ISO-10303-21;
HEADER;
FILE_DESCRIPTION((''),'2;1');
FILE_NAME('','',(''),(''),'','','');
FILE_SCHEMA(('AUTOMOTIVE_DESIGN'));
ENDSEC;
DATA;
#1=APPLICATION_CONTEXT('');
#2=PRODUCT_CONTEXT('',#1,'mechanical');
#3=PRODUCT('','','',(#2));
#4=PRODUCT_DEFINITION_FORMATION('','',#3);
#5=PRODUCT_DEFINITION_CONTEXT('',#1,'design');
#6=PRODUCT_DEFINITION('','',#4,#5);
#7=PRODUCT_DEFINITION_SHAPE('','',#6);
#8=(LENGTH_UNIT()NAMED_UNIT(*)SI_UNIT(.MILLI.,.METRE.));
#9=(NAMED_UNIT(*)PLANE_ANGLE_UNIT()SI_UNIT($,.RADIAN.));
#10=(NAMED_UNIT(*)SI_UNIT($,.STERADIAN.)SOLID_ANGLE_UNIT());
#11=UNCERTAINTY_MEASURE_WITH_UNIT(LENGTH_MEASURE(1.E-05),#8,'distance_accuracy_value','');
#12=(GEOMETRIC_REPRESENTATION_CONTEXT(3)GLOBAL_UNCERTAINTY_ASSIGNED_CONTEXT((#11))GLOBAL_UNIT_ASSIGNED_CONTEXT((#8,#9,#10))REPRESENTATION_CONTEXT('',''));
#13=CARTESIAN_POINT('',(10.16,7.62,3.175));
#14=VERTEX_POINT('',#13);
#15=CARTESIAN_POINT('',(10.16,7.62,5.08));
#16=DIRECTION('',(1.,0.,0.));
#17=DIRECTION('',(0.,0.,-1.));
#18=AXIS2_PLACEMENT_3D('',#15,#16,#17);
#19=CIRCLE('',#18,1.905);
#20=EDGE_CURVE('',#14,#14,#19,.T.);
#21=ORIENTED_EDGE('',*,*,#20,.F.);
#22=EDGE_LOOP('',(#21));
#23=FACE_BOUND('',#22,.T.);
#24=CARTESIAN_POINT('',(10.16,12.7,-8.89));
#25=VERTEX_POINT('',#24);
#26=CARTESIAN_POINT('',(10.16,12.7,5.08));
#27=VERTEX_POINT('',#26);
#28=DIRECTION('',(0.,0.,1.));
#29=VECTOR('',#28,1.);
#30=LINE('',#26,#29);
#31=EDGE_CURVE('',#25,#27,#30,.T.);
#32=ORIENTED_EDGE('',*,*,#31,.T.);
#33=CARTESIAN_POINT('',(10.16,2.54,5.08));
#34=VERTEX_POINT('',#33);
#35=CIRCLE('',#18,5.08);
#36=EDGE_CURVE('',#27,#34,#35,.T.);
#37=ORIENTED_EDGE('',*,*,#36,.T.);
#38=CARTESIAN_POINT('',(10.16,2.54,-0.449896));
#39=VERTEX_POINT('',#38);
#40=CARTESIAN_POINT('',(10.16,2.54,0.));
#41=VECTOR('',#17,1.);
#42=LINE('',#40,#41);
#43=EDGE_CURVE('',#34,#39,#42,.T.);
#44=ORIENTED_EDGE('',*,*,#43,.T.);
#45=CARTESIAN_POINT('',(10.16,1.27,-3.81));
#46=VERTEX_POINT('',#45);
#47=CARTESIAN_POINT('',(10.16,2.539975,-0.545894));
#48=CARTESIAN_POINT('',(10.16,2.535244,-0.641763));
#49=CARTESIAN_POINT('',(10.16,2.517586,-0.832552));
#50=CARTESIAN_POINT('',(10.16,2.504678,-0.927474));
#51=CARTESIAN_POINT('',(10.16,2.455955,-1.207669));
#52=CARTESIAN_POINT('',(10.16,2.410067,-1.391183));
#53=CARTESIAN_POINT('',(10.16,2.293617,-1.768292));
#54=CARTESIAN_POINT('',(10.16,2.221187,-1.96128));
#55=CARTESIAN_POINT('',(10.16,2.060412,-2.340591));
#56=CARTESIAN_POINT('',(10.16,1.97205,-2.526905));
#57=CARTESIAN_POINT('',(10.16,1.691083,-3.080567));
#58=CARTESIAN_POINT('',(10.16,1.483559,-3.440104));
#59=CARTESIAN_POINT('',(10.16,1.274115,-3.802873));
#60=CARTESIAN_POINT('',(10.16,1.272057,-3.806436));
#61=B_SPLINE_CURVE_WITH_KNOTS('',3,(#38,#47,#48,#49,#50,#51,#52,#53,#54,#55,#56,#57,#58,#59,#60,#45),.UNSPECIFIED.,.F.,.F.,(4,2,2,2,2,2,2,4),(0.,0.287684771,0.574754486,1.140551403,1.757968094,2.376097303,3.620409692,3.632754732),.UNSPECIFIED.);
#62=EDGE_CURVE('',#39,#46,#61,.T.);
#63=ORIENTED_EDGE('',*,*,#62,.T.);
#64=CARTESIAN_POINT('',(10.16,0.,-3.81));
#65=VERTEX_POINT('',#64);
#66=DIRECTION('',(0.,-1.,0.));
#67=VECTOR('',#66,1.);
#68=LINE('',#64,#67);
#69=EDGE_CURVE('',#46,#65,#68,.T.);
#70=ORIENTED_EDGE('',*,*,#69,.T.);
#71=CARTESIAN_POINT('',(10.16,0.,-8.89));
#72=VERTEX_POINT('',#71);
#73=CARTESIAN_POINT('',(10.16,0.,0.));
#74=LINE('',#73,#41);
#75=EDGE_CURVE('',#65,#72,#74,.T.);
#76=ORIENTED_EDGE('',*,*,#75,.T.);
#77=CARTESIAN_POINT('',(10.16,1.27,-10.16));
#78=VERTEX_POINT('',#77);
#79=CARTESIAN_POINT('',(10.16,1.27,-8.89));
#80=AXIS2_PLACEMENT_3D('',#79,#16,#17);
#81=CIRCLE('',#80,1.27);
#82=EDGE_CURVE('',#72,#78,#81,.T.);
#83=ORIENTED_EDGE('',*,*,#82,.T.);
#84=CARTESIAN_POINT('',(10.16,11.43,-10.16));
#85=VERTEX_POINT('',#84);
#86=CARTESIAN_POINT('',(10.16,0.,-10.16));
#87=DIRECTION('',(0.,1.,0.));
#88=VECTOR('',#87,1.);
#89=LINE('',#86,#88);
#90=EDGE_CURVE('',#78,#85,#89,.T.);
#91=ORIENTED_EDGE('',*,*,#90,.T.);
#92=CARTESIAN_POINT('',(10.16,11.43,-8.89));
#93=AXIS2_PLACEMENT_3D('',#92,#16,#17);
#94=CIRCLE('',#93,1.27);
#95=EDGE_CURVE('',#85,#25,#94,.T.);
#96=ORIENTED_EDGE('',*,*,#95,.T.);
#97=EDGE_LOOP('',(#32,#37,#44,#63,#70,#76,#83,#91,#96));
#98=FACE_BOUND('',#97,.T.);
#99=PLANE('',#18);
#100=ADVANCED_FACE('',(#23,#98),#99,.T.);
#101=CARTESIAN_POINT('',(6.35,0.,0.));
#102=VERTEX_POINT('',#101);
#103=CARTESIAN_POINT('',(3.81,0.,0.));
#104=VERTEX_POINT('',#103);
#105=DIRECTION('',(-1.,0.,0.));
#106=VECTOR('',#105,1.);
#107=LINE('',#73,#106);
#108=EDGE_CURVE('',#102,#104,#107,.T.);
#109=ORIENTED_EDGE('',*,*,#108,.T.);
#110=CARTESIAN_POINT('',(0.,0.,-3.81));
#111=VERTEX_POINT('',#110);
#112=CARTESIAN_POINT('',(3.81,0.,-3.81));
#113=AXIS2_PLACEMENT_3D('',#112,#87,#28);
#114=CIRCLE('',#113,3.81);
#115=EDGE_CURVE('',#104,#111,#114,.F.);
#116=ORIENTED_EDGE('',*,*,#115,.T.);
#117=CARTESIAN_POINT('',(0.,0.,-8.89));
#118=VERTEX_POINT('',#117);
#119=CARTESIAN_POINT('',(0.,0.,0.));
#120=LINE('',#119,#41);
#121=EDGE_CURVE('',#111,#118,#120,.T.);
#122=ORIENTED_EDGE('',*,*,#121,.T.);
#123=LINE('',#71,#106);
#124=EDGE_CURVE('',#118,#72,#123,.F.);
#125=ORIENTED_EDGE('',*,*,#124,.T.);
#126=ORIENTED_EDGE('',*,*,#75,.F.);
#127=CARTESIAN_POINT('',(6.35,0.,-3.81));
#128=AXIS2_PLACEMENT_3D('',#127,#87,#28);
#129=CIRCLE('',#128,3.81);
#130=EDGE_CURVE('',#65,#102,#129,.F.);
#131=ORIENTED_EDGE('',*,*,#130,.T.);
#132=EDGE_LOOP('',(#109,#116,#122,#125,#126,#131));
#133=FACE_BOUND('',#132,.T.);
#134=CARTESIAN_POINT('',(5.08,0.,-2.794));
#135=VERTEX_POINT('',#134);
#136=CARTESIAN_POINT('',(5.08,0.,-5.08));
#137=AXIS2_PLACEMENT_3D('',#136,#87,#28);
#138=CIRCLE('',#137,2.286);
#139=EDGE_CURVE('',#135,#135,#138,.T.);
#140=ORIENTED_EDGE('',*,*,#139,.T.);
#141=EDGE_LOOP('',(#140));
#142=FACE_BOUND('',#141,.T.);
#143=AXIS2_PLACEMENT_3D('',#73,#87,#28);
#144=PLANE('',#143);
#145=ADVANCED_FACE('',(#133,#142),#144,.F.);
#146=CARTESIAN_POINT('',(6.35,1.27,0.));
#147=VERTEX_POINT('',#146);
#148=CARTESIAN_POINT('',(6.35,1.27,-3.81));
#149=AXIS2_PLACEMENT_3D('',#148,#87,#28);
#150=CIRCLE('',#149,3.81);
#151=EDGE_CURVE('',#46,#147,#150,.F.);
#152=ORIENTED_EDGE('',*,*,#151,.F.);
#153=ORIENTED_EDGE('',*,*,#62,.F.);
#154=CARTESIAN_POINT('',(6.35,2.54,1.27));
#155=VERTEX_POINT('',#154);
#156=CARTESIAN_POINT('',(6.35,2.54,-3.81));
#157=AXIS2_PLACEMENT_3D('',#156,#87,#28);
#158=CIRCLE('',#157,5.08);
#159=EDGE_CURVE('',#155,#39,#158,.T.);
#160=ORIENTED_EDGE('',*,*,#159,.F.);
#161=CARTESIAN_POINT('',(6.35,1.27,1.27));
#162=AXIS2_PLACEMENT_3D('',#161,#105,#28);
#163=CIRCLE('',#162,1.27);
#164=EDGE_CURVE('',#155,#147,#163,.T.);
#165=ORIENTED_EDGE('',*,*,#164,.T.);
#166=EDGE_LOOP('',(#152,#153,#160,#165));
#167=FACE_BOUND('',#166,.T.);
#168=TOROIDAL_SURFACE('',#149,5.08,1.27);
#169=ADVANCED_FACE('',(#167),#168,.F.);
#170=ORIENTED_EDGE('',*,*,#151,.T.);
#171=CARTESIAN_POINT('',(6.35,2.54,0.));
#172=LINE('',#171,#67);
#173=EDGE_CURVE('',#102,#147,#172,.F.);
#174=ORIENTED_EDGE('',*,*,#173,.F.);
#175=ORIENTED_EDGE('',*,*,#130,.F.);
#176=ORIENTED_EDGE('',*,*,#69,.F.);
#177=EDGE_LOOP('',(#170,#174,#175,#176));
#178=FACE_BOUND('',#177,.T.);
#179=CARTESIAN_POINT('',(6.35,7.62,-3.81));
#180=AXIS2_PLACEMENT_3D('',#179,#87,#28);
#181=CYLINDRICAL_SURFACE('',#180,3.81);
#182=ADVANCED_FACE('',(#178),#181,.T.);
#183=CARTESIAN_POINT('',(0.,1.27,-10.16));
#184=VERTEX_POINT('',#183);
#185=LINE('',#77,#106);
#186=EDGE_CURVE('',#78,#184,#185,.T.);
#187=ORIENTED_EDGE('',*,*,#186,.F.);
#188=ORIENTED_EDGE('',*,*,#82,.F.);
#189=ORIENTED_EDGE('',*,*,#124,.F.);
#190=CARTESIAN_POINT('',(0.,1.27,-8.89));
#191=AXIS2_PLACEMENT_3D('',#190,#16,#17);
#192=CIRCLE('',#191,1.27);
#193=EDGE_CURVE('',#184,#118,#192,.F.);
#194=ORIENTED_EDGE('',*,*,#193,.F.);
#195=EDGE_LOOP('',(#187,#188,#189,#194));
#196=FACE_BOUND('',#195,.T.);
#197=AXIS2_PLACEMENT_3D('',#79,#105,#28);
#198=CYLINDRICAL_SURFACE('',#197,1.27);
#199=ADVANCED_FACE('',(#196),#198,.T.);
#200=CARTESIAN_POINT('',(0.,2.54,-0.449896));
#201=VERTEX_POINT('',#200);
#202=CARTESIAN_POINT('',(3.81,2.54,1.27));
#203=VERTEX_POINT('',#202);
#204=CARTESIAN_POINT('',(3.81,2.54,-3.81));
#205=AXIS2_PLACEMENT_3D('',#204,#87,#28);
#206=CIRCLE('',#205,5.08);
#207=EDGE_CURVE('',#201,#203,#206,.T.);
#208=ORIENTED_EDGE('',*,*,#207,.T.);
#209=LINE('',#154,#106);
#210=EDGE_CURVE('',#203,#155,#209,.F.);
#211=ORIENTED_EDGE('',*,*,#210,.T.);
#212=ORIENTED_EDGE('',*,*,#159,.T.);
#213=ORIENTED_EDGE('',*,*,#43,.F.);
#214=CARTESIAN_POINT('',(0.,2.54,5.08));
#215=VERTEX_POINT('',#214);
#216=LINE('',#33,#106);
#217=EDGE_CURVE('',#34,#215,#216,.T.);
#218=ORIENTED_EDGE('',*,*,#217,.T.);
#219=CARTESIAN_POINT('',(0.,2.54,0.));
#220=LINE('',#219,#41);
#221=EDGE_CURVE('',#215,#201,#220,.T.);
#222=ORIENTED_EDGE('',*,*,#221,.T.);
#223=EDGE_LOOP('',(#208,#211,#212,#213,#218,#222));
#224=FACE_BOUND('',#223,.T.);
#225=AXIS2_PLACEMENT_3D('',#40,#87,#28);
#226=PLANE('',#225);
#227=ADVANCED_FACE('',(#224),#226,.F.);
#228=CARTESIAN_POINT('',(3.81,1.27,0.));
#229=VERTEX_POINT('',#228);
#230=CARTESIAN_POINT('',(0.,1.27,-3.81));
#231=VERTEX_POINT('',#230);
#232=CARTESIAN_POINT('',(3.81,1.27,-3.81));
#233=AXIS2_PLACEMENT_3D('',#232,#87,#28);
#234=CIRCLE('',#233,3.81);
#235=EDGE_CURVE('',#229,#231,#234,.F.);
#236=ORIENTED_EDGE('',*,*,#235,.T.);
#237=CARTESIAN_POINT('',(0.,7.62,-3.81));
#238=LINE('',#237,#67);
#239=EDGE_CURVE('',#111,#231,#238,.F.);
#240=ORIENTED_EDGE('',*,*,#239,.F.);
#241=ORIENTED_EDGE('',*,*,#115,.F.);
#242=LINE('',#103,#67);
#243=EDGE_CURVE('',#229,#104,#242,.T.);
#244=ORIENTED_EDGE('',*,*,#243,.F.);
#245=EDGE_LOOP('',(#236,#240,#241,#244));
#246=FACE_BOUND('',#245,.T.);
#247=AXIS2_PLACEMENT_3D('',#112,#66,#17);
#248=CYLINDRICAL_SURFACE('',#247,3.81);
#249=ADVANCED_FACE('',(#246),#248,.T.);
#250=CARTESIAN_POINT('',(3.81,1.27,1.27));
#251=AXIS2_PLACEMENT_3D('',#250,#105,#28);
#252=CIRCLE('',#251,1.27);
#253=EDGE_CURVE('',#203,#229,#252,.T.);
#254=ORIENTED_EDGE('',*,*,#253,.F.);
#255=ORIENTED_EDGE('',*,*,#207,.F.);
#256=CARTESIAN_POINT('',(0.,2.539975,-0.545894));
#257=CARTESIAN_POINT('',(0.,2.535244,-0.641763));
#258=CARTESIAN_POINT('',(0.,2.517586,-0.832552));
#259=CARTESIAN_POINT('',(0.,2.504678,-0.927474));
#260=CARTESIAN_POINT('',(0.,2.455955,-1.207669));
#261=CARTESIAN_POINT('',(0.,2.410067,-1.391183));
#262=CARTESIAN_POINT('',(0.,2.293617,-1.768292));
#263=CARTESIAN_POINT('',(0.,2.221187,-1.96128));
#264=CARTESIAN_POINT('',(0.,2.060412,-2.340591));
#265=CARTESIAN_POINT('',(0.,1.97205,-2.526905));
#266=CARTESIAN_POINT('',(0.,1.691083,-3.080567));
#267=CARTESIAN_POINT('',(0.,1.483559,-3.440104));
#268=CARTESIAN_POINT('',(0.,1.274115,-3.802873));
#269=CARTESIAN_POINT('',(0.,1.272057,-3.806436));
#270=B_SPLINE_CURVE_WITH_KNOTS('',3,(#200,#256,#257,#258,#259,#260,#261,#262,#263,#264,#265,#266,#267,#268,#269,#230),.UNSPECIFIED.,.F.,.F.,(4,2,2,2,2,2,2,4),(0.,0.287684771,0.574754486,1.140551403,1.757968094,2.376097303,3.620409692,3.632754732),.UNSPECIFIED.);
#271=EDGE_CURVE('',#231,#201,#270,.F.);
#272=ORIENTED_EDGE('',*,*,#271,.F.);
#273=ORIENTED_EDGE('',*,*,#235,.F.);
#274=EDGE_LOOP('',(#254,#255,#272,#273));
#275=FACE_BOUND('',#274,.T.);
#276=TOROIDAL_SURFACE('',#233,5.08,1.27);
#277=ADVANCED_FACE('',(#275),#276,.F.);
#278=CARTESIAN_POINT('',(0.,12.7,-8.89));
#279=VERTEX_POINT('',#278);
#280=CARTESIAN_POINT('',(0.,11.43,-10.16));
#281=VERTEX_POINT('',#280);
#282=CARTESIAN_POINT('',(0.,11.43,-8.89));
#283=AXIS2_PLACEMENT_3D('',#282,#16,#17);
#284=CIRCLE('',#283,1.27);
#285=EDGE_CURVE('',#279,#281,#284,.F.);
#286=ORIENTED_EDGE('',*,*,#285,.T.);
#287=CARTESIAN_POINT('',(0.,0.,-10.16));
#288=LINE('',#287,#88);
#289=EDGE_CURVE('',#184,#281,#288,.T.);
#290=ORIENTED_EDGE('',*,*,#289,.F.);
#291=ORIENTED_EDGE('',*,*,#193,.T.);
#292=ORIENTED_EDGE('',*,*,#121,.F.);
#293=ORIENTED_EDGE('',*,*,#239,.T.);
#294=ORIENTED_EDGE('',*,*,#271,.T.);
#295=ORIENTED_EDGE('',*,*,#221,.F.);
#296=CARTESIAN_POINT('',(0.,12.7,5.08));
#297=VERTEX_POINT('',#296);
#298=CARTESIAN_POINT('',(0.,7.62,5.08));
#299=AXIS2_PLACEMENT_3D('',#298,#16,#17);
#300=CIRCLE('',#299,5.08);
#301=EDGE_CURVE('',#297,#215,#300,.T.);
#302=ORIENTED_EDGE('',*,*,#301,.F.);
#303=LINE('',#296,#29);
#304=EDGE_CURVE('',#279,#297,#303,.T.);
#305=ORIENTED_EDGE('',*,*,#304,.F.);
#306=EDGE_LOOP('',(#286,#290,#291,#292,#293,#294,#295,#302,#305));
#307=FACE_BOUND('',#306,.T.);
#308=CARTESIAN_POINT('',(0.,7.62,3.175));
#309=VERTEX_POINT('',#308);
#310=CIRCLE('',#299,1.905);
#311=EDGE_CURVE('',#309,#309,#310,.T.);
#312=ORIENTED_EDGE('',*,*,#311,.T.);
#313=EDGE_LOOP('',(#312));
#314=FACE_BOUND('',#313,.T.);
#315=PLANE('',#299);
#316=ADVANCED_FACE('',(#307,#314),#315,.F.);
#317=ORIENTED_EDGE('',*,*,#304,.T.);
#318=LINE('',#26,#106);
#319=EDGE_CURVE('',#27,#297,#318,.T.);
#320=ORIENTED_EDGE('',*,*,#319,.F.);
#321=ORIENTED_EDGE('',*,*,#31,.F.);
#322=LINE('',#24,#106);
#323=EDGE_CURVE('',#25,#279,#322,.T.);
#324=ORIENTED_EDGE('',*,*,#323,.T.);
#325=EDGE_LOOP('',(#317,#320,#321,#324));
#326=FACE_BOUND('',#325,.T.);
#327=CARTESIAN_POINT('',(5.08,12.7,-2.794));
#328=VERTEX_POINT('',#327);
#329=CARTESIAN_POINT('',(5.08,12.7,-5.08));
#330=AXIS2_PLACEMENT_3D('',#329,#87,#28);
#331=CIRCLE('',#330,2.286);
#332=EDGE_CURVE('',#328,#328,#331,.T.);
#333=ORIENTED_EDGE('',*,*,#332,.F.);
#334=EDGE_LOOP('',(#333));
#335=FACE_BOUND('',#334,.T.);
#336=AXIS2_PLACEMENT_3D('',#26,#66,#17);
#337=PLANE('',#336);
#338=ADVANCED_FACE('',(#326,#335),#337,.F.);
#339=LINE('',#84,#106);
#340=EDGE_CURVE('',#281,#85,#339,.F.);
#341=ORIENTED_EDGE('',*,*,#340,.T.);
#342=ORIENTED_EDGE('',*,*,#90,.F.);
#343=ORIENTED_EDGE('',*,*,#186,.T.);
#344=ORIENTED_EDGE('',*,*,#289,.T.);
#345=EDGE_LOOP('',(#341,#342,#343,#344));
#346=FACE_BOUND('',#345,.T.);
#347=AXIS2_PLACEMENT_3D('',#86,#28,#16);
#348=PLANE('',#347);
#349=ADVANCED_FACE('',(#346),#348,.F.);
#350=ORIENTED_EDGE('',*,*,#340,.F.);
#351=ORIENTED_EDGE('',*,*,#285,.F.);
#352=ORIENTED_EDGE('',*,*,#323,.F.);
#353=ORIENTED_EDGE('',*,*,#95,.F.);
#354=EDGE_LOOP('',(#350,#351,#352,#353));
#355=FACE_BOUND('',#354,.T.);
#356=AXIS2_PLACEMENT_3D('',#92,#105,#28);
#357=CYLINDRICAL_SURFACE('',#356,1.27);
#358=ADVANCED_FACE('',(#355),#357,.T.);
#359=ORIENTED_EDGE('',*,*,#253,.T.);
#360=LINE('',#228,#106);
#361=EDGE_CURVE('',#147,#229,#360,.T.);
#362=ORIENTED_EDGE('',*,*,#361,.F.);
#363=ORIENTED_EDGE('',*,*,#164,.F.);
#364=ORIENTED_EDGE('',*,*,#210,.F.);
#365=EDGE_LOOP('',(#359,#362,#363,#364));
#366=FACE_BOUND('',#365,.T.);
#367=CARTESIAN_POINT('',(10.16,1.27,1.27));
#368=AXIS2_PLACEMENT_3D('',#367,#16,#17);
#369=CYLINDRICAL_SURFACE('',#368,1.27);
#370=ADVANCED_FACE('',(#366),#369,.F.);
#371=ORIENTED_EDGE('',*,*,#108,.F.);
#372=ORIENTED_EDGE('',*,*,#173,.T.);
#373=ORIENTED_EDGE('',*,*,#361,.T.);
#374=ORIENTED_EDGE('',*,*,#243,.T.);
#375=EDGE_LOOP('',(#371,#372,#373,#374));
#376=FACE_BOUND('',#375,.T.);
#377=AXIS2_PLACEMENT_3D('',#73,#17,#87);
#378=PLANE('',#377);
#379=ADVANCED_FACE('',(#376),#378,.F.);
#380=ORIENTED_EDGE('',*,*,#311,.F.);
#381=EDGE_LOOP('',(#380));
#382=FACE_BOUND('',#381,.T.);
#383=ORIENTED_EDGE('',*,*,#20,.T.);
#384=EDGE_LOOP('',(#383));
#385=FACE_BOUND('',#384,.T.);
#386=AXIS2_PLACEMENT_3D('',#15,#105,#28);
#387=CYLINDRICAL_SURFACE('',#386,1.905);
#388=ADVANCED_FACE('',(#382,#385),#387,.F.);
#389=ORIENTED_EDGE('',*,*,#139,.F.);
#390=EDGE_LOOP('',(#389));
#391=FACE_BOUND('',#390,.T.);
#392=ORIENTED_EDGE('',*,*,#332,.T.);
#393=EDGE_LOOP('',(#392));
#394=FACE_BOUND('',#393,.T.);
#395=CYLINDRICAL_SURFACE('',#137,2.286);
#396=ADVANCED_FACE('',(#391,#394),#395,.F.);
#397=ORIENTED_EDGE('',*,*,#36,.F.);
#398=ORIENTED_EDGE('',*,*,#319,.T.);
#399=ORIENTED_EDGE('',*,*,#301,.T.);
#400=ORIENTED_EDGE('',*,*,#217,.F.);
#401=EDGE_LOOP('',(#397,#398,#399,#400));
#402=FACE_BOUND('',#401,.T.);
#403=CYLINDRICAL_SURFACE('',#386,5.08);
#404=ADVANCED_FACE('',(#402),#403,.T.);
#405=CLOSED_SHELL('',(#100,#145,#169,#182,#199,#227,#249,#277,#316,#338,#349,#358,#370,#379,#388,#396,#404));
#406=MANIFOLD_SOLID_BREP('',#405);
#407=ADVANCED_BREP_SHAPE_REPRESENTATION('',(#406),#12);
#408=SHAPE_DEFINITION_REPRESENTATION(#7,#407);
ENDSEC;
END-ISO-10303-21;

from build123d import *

# Parameters (mm, degrees)
SKETCH1_R           = 1.905
BOSS_EXTRUDE1_DEPTH = 10.16
SKETCH2_R           = 2.286
CUT_EXTRUDE1_DEPTH  = 20.176579466
FILLET2_R           = 3.81
FILLET1_R           = 1.27


with BuildPart() as part:
    # Sketch1 → Boss-Extrude1 (new body)
    with BuildSketch(Plane(origin=(0, 0, 0), x_dir=(0, 0, -1), z_dir=(1, 0, 0))):
        with BuildLine():
            Line((0, 0), (10.16, 0))
            Line((10.16, 0), (10.16, 12.7))
            Line((10.16, 12.7), (-5.08, 12.7))
            ThreePointArc((-5.08, 12.7), (-10.16, 7.62), (-5.08, 2.54))
            Line((-5.08, 2.54), (0, 2.54))
            Line((0, 2.54), (0, 0))
        make_face()
        with Locations((-5.08, 7.62)):
            Circle(SKETCH1_R, mode=Mode.SUBTRACT)
    extrude(amount=BOSS_EXTRUDE1_DEPTH)

    # Sketch2 → Cut-Extrude1 (cut, through all)
    with BuildSketch(Plane(origin=(0, 12.7, 0), x_dir=(1, 0, 0), z_dir=(0, 1, 0))):
        with Locations(Location((5.08, 5.08, 0), (0, 0, 270))):
            Circle(SKETCH2_R)
    extrude(amount=-CUT_EXTRUDE1_DEPTH, mode=Mode.SUBTRACT)

    # Fillet2
    fillet2_edges = [part.edges().sort_by_distance(p)[0] for p in [
        (10.16, 1.27, 0),
        (0, 1.27, 0),
    ]]
    fillet(fillet2_edges, radius=FILLET2_R)

    # Fillet1
    fillet1_edges = [part.edges().sort_by_distance(p)[0] for p in [
        (5.08, 2.54, 0),
        (1.115923164, 2.54, -1.115923164),
        (9.044076836, 2.54, -1.115923164),
        (5.08, 0, -10.16),
        (5.08, 12.7, -10.16),
    ]]
    fillet(fillet1_edges, radius=FILLET1_R)


solid = part.part
